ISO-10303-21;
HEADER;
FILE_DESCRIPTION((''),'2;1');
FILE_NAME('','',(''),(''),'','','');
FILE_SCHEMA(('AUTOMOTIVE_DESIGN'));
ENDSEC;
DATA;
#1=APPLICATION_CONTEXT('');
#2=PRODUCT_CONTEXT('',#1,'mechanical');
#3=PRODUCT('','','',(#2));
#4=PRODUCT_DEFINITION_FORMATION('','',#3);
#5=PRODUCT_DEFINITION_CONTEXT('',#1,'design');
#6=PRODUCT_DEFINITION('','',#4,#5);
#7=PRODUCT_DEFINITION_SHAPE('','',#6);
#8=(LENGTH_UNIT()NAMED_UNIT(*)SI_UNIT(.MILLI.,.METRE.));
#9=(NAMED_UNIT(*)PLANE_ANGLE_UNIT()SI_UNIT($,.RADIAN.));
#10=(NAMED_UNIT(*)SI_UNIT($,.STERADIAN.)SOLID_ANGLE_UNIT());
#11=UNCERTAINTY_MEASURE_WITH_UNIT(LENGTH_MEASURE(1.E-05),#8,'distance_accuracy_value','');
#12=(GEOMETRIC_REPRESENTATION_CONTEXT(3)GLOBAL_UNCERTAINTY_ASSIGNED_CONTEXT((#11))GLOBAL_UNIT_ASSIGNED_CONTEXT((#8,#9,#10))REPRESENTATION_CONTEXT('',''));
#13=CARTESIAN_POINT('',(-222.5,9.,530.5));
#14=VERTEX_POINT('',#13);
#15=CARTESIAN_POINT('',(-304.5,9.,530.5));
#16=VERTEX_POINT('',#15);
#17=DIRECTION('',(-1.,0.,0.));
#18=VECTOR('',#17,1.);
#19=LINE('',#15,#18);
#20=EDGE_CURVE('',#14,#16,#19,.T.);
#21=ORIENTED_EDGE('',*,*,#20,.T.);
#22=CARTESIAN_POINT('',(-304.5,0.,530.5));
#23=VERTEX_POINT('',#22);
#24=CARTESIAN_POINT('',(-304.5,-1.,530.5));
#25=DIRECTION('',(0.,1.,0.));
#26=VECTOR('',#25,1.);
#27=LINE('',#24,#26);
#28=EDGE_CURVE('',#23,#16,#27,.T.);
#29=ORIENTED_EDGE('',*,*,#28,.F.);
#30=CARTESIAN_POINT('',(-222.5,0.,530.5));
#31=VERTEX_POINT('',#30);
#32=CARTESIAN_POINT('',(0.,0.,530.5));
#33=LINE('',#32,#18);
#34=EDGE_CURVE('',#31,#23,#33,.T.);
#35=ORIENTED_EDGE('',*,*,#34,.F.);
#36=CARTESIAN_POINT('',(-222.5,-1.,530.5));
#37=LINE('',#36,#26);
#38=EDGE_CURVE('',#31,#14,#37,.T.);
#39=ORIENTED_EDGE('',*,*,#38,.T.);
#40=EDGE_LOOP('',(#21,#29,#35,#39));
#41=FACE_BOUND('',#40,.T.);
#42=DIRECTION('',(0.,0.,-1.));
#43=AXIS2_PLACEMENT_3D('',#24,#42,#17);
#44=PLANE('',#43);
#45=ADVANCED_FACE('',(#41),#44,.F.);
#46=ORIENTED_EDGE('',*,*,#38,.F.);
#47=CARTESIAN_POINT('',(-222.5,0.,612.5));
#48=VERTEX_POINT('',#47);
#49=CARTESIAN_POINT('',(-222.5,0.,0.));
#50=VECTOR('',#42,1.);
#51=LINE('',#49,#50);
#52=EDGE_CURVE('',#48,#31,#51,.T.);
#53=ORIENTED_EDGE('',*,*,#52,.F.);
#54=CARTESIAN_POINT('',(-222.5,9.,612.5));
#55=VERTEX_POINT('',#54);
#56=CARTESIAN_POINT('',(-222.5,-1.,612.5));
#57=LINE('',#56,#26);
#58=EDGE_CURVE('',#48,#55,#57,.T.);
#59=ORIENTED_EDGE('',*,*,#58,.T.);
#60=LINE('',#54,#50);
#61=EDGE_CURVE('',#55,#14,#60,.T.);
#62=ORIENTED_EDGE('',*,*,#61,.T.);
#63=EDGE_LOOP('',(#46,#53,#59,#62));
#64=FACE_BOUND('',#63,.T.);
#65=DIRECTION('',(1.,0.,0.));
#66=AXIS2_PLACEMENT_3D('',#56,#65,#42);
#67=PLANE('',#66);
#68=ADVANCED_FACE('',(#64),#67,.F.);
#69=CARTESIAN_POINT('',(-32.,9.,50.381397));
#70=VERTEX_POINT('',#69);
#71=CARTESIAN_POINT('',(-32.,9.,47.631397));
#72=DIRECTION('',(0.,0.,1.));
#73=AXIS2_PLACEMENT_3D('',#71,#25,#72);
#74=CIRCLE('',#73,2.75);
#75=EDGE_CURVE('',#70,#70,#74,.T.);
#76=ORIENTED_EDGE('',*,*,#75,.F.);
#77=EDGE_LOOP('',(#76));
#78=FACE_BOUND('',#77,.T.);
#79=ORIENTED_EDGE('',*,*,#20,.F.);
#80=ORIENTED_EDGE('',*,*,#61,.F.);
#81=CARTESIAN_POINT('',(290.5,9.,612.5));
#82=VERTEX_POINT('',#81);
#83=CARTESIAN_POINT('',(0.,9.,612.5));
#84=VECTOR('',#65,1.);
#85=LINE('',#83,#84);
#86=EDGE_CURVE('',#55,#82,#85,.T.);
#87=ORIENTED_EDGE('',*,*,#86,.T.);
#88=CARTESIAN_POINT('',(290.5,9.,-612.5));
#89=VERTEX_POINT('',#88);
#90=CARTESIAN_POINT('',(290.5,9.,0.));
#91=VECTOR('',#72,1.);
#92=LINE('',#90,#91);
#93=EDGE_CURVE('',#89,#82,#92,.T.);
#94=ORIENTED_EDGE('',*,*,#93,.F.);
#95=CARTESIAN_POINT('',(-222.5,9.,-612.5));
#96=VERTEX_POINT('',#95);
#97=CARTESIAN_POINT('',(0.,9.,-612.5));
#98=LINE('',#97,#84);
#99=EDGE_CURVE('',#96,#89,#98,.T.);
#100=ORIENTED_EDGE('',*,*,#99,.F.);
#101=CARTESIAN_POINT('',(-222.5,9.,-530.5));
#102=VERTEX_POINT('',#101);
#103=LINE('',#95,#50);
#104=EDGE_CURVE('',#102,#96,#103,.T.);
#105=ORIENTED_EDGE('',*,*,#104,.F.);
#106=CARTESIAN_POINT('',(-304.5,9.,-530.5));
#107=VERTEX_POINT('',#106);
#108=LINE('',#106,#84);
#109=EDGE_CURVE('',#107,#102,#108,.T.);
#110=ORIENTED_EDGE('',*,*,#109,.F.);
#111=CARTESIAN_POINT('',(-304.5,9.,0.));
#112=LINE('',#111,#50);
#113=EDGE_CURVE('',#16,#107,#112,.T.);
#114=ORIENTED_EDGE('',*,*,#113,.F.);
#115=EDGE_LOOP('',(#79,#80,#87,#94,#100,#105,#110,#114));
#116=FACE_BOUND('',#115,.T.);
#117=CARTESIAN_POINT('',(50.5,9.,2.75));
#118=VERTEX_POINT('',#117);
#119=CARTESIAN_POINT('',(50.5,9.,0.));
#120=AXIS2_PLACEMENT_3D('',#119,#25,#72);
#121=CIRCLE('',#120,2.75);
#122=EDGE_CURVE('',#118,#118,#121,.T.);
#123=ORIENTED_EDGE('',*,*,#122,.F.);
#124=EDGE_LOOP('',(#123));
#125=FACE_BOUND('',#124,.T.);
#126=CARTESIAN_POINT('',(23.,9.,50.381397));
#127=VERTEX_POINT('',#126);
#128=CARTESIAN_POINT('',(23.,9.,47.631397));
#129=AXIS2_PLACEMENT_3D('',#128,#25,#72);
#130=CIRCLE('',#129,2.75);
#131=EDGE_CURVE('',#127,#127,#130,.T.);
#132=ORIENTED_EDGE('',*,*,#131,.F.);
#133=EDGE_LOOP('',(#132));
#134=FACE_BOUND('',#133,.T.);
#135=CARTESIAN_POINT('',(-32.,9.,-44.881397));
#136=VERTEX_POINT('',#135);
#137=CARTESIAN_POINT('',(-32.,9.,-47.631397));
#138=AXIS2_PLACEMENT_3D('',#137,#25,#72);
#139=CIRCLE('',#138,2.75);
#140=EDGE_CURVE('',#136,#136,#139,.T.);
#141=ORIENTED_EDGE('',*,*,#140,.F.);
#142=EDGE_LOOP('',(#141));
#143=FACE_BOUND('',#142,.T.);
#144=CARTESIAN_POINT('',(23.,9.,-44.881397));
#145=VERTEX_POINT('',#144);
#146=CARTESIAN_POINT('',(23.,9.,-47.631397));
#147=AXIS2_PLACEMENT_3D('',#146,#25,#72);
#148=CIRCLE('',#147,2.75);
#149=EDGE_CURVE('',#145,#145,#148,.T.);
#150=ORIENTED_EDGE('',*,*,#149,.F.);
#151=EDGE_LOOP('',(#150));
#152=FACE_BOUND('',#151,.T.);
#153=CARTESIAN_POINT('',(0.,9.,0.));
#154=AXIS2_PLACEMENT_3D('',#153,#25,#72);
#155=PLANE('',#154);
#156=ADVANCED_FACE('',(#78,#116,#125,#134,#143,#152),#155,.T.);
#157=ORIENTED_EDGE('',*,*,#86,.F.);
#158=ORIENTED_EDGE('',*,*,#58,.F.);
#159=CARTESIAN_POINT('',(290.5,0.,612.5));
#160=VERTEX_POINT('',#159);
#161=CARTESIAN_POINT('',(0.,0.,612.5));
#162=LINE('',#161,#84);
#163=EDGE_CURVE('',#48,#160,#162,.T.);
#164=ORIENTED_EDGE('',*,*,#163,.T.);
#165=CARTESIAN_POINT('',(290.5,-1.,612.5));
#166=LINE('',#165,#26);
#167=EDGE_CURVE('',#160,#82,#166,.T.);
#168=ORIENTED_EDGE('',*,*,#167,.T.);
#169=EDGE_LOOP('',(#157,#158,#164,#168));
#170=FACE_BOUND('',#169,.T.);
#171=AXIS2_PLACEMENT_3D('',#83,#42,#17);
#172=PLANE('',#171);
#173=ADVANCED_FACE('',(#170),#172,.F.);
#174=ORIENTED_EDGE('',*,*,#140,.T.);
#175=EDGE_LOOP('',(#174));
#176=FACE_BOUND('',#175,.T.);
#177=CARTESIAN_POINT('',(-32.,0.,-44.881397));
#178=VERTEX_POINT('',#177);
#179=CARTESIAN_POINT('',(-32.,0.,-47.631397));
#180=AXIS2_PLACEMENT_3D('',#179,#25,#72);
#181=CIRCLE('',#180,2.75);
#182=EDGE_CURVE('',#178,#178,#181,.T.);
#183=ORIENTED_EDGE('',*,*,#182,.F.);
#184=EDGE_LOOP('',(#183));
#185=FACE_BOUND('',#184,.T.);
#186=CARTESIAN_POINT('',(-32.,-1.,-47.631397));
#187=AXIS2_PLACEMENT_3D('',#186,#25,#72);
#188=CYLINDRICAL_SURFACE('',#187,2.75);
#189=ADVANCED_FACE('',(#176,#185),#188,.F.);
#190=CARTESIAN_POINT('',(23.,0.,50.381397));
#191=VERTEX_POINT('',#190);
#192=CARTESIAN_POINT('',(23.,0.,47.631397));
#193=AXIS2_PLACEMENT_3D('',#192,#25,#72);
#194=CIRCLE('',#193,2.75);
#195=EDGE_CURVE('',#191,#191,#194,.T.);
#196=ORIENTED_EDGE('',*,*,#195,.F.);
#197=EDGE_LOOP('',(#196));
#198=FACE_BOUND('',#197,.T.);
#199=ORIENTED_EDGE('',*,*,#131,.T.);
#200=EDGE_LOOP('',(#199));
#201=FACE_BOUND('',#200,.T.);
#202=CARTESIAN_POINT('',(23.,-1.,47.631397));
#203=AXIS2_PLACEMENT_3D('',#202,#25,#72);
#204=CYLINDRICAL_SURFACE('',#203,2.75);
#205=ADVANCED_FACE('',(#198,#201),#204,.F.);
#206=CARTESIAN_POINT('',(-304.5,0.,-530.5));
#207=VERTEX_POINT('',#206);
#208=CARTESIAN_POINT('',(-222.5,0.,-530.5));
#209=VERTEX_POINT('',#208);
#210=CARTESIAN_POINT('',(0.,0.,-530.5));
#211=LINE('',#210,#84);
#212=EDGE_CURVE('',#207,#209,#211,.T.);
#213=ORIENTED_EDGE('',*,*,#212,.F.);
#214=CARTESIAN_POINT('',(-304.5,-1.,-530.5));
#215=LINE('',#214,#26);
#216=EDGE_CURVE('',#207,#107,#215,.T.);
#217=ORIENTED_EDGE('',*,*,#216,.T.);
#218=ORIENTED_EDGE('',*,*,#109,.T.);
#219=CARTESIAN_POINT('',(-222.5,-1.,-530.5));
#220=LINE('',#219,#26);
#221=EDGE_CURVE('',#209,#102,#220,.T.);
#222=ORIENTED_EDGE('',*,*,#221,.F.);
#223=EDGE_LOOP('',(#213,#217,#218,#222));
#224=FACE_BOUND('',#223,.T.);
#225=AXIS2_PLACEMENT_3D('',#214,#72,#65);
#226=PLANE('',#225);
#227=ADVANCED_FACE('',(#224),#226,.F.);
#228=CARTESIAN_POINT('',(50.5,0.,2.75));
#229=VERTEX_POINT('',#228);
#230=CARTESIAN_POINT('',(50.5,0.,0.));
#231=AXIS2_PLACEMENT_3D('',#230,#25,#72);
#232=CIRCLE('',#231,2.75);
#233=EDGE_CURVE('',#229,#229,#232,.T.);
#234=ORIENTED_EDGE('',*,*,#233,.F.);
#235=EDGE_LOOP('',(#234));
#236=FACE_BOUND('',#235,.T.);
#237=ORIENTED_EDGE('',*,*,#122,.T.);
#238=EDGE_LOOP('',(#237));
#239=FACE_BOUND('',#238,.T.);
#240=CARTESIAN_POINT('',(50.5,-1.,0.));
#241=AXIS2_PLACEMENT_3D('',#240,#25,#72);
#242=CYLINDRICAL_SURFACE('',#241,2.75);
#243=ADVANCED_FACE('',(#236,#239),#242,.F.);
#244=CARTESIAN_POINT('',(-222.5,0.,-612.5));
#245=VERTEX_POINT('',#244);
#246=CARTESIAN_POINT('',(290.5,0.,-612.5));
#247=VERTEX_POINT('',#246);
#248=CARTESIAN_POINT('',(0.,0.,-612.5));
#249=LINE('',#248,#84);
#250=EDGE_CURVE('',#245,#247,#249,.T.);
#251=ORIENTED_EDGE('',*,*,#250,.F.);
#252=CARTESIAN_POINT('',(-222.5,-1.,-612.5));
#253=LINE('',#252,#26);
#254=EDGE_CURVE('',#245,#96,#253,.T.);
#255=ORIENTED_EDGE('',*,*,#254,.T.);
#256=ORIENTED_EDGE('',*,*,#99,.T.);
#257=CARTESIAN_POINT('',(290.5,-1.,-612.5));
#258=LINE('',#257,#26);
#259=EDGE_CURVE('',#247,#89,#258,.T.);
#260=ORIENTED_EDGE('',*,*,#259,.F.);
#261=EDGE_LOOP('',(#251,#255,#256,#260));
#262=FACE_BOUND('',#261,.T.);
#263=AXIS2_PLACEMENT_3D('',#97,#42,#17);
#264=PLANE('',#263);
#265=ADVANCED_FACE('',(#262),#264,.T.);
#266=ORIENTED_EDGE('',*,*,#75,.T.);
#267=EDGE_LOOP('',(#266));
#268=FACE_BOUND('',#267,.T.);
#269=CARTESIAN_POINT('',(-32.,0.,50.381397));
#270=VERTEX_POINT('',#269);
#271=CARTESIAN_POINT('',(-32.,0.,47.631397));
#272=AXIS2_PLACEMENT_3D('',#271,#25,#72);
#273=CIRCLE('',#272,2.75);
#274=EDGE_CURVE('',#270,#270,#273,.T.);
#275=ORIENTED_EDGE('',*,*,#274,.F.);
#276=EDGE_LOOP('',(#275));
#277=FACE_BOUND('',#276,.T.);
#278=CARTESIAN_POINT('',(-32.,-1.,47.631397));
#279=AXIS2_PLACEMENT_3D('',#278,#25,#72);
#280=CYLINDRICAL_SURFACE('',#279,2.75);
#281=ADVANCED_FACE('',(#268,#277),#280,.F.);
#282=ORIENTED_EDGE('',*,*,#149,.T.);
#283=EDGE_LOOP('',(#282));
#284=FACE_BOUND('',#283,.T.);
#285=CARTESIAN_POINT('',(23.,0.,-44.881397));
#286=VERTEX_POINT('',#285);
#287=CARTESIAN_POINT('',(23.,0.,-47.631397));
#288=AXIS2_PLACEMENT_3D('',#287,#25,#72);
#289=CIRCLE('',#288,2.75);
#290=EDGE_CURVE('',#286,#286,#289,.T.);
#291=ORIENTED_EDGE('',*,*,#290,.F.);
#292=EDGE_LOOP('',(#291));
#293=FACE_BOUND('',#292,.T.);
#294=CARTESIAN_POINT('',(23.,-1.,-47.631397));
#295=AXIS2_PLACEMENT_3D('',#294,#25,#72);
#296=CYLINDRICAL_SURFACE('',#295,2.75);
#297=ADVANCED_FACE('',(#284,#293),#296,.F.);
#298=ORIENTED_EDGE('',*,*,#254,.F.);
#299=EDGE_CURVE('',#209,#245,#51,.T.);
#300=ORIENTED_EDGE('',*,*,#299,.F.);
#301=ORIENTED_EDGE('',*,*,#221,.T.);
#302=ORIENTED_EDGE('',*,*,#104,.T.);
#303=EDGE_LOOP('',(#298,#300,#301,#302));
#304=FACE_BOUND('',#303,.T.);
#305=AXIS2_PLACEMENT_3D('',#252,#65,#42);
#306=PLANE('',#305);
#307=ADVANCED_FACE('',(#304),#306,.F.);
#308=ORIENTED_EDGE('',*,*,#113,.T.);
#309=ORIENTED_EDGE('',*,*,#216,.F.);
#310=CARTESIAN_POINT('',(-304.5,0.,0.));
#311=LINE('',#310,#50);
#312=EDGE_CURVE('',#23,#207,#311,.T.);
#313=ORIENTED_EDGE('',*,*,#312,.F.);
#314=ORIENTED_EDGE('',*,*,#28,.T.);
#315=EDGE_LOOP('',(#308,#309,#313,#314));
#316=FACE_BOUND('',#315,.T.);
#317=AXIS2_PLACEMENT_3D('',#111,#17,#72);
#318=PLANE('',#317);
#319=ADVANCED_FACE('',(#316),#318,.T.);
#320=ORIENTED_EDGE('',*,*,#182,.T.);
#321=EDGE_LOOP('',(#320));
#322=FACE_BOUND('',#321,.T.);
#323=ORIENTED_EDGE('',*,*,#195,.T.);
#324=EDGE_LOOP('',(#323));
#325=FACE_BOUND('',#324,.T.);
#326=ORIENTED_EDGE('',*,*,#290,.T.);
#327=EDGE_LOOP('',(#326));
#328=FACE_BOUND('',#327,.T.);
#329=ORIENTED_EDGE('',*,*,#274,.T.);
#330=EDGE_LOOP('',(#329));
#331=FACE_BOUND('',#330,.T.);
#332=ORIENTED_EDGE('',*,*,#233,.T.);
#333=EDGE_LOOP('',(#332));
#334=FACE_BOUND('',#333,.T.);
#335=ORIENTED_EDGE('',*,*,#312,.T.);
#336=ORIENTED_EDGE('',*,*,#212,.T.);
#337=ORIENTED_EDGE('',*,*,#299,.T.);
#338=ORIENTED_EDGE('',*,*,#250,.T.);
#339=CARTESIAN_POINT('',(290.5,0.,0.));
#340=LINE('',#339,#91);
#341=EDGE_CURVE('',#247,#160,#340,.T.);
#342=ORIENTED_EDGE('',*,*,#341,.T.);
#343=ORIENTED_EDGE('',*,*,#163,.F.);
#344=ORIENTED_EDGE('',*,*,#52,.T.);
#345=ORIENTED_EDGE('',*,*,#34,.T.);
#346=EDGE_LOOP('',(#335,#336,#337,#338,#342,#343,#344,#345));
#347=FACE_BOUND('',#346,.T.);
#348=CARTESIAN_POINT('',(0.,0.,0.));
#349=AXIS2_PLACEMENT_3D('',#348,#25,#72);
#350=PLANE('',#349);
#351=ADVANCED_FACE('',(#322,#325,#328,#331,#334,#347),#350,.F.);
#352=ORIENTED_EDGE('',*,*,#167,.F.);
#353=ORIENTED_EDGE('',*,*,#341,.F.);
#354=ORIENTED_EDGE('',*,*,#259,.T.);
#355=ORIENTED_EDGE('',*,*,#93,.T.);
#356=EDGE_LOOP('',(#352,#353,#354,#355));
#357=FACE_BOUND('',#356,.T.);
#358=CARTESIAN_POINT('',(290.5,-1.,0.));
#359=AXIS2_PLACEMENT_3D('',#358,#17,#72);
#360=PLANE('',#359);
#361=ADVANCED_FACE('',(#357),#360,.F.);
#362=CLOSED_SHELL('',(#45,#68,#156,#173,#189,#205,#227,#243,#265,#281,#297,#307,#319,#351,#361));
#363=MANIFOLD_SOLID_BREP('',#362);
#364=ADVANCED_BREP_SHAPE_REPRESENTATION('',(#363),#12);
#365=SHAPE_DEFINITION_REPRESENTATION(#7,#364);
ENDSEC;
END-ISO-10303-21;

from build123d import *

# Parameters (mm, degrees)
BOSS_EXTRUDE1_DEPTH = 9
SKETCH2_W           = 14
SKETCH2_H           = 1225
CUT_EXTRUDE1_DEPTH  = 10
SKETCH3_W           = 82
SKETCH3_H           = 82
CUT_EXTRUDE5_DEPTH  = 10
SKETCH4_R           = 2.75
CUT_EXTRUDE6_DEPTH  = 10


with BuildPart() as part:
    # Sketch1 → Boss-Extrude1 (new body)
    with BuildSketch(Plane(origin=(0, 0, 0), x_dir=(1, 0, 0), z_dir=(0, 1, 0))):
        Polygon((-304.5, -532.5), (-304.5, -612.5), (224.5, -612.5), (304.5, -612.5), (304.5, -532.5), (304.5, 497.5), (304.5, 612.5), (224.5, 612.5), (-304.5, 612.5), (-304.5, 497.5), align=None)
    extrude(amount=BOSS_EXTRUDE1_DEPTH)

    # Sketch2 → Cut-Extrude1 (cut)
    with BuildSketch(Plane(origin=(0, 9, 0), x_dir=(1, 0, 0), z_dir=(0, 1, 0))):
        with Locations((297.5, 0)):
            Rectangle(SKETCH2_W, SKETCH2_H)
    extrude(amount=-CUT_EXTRUDE1_DEPTH, mode=Mode.SUBTRACT)

    # Sketch3 → Cut-Extrude5 (cut)
    with BuildSketch(Plane(origin=(0, 9, 0), x_dir=(1, 0, 0), z_dir=(0, 1, 0))):
        with Locations((-263.5, 571.5)):
            Rectangle(SKETCH3_W, SKETCH3_H)
        with Locations((-263.5, -571.5)):
            Rectangle(SKETCH3_W, SKETCH3_H)
    extrude(amount=-CUT_EXTRUDE5_DEPTH, mode=Mode.SUBTRACT)

    # Sketch4 → Cut-Extrude6 (cut)
    with BuildSketch(Plane(origin=(0, 9, 0), x_dir=(1, 0, 0), z_dir=(0, 1, 0))):
        with Locations(Location((23, 47.631397208, 0), (0, 0, 270))):
            Circle(SKETCH4_R)
        with Locations(Location((-32, -47.631397208, 0), (0, 0, 270))):
            Circle(SKETCH4_R)
        with Locations(Location((23, -47.631397208, 0), (0, 0, 270))):
            Circle(SKETCH4_R)
        with Locations(Location((50.5, 0, 0), (0, 0, 270))):
            Circle(SKETCH4_R)
        with Locations(Location((-32, 47.631397208, 0), (0, 0, 270))):
            Circle(SKETCH4_R)
    extrude(amount=-CUT_EXTRUDE6_DEPTH, mode=Mode.SUBTRACT)


solid = part.part
